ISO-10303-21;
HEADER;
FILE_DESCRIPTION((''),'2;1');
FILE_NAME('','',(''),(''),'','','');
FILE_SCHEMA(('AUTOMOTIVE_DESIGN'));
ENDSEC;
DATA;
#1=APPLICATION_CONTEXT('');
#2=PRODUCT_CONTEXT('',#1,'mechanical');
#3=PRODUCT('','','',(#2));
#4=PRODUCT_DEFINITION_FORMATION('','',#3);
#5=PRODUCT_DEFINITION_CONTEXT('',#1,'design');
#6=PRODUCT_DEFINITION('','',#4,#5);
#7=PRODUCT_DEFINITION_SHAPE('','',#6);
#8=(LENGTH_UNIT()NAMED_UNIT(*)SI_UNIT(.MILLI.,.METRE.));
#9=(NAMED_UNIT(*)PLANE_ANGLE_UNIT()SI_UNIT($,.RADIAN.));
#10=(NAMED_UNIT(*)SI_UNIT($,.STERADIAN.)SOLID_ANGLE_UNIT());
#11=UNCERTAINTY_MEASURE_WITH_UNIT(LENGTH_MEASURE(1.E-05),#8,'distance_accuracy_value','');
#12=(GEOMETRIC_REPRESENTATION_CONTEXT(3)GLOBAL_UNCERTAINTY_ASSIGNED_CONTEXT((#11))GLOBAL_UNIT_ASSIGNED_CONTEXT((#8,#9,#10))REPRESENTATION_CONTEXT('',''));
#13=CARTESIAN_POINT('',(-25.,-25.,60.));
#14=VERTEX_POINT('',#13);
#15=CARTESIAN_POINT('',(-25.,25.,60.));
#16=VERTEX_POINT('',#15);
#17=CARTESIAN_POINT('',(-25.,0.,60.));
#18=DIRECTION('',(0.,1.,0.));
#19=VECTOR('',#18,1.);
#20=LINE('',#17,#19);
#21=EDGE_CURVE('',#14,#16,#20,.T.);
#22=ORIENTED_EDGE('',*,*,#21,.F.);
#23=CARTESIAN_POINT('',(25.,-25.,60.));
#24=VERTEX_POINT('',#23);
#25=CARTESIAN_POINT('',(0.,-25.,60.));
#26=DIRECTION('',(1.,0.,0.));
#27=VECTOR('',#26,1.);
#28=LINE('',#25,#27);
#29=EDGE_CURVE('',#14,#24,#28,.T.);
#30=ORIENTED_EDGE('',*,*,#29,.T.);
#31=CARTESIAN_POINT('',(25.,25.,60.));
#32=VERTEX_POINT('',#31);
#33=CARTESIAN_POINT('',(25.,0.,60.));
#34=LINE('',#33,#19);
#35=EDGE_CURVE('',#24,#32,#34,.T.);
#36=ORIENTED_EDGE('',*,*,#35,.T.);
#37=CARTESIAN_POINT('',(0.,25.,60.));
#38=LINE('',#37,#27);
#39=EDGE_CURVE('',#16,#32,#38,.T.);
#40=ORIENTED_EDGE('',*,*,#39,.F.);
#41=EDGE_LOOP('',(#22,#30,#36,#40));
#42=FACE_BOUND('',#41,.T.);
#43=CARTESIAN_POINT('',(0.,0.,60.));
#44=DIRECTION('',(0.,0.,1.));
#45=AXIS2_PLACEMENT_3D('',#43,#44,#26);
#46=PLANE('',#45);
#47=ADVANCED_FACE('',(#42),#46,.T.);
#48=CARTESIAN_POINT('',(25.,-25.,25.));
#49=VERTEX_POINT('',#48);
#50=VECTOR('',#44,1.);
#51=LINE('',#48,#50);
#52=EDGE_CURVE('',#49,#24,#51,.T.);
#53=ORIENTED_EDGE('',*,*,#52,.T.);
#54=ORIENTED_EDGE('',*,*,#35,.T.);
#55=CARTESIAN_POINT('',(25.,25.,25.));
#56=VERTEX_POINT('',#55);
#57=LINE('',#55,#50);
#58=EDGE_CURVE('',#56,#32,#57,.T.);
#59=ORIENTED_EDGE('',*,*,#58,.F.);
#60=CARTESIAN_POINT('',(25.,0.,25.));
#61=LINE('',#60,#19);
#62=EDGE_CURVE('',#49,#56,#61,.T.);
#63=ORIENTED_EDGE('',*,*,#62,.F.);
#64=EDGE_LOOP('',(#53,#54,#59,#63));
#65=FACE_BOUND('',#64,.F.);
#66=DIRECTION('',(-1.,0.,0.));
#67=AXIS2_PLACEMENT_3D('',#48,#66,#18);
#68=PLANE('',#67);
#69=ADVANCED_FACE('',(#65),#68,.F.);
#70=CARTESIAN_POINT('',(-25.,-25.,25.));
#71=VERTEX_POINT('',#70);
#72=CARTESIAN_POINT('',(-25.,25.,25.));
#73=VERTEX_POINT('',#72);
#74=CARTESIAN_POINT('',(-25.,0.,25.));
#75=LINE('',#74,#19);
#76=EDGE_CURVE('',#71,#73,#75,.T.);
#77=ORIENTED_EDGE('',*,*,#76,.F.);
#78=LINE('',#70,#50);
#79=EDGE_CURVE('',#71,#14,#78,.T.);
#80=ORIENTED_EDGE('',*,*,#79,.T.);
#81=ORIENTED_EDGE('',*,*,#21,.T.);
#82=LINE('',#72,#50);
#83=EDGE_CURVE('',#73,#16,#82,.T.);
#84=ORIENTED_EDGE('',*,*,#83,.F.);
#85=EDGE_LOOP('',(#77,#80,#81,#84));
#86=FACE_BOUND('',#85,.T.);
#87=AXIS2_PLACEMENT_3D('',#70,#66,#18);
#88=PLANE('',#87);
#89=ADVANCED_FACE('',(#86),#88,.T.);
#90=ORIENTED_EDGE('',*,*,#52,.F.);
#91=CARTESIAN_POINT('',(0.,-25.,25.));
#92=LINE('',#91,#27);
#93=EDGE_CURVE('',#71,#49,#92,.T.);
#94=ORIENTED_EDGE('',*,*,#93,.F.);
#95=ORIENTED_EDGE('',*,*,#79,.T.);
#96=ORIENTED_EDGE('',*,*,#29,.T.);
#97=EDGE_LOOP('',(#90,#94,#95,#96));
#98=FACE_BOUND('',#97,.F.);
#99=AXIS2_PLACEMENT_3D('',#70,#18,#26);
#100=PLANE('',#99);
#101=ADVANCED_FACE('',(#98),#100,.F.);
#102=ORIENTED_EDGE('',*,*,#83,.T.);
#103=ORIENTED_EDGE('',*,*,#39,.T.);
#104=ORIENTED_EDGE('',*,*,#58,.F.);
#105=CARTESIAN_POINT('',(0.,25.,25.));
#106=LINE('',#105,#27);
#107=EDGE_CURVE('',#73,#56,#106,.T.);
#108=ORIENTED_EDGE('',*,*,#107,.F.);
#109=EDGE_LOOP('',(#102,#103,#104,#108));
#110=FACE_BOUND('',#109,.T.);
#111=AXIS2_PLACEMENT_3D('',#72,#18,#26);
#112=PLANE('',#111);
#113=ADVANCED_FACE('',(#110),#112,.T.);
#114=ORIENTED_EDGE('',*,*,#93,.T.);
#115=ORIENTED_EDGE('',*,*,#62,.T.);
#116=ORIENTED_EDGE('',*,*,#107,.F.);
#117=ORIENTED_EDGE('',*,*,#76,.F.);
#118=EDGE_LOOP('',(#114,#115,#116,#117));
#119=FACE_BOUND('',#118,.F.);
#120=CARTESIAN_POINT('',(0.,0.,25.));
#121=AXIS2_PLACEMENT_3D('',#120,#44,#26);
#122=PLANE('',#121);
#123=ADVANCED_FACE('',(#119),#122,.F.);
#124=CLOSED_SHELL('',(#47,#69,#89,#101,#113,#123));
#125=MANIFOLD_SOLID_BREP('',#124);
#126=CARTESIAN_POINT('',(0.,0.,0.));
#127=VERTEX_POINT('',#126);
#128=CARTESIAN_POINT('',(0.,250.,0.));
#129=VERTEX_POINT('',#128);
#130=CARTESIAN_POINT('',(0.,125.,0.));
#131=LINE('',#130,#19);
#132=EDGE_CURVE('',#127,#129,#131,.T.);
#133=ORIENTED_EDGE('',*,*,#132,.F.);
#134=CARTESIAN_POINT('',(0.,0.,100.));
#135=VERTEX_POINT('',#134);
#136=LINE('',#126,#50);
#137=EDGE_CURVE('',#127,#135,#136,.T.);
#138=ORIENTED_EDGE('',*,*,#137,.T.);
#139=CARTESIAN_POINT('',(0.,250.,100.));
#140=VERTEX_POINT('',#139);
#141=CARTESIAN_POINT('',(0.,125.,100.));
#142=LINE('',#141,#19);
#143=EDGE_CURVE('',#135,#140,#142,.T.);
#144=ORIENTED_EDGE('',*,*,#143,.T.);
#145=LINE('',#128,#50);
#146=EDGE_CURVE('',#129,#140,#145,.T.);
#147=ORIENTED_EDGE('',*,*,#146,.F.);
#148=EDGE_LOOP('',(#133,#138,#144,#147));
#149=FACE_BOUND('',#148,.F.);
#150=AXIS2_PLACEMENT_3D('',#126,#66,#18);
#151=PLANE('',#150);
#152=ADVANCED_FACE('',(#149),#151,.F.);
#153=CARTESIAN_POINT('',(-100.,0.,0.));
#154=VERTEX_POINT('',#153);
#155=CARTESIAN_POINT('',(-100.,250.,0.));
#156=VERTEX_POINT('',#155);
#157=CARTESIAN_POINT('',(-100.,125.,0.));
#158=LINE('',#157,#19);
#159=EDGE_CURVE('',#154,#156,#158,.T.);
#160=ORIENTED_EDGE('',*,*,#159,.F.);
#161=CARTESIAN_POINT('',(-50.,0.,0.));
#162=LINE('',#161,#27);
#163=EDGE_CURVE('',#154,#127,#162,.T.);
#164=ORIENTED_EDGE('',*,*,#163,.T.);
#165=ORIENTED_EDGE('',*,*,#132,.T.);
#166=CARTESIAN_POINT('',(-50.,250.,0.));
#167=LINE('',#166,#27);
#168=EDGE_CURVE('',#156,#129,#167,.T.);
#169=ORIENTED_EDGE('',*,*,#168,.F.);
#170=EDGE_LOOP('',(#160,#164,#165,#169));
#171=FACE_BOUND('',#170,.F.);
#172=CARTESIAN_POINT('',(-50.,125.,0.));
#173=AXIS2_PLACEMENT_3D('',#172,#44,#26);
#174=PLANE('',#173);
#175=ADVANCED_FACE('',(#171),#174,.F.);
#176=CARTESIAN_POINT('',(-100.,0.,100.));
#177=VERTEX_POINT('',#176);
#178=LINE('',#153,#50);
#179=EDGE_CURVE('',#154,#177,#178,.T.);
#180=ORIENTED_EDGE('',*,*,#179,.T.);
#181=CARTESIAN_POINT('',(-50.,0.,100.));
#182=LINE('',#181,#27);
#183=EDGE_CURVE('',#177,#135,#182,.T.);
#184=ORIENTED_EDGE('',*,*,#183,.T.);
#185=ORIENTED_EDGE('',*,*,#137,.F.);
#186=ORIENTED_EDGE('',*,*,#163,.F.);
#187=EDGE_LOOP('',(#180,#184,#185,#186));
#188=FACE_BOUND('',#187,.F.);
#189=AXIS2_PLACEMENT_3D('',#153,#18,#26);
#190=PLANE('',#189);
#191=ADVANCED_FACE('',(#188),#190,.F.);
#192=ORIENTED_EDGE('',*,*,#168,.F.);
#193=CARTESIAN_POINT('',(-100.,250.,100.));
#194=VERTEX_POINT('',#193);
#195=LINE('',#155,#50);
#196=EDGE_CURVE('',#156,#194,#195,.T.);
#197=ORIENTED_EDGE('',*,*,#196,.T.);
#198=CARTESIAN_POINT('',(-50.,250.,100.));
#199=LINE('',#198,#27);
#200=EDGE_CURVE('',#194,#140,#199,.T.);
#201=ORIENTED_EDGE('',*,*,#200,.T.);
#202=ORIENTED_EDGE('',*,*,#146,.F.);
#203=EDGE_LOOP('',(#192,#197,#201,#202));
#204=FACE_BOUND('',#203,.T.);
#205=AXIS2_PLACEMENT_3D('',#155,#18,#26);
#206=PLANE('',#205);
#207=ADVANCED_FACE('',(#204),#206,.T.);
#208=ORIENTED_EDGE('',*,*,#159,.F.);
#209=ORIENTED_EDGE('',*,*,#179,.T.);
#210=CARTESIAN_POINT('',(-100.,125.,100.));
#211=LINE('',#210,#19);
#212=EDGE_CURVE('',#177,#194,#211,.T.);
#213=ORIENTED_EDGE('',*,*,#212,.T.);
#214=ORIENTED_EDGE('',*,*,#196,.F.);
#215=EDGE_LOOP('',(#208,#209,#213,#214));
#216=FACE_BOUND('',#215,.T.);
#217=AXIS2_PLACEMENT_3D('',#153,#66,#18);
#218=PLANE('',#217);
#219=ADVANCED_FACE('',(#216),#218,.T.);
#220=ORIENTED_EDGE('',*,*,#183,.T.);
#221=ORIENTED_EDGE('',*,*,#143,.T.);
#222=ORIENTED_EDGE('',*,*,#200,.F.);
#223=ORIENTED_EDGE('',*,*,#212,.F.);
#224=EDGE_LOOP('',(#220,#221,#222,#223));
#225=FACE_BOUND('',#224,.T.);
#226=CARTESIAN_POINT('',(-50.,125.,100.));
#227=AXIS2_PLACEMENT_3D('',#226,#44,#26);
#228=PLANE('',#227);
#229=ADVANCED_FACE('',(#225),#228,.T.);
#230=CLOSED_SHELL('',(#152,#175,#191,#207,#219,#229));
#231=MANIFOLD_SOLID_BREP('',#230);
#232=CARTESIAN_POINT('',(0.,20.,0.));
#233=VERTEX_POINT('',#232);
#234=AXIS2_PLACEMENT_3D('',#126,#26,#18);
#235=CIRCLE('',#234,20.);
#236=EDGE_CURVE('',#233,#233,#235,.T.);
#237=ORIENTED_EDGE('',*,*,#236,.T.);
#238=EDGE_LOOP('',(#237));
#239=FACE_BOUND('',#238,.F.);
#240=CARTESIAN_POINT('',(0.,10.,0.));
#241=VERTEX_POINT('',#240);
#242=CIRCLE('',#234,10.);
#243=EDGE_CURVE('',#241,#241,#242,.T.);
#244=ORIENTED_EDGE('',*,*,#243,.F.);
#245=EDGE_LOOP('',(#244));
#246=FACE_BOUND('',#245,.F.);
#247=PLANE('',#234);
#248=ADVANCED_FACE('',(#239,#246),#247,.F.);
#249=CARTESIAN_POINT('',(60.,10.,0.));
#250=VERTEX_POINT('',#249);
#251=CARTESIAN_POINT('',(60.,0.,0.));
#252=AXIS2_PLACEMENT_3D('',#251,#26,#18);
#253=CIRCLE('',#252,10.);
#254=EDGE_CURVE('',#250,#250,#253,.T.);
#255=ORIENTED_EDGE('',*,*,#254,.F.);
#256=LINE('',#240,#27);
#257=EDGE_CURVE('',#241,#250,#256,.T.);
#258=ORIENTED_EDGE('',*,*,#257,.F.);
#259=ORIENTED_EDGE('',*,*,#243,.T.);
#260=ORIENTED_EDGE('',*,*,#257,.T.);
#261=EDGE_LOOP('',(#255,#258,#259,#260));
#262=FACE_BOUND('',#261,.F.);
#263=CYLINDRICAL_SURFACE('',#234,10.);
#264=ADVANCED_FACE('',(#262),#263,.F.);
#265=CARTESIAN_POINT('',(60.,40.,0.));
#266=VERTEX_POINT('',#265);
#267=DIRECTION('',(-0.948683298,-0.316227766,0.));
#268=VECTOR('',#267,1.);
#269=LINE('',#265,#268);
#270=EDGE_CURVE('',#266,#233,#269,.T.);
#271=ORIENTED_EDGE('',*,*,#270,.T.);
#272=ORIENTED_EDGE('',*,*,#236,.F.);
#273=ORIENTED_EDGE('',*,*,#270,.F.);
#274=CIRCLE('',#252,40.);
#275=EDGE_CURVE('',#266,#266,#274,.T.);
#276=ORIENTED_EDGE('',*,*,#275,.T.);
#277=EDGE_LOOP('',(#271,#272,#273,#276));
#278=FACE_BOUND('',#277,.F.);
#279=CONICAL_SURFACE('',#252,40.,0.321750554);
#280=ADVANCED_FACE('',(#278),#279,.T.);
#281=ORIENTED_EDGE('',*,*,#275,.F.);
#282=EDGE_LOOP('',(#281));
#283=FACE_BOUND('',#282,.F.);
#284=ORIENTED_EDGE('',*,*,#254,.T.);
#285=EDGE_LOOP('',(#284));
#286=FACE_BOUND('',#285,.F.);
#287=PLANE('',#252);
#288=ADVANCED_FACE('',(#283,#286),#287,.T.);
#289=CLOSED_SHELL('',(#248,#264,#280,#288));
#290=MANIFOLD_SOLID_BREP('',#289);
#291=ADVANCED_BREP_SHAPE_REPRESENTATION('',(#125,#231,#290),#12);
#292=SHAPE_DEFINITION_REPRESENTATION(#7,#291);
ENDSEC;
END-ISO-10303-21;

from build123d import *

# Parameters (mm, degrees)
F0_W     = 100
F0_H     = 250
F1_DEPTH = 100
F5_START = 25
F4_W     = 50
F4_H     = 50
F5_DEPTH = 35


with BuildPart() as f1:
    # F0 (on Top) → F1 (new body)
    with BuildSketch(Plane.XY):
        with Locations((-50, 125)):
            Rectangle(F0_W, F0_H)
    extrude(amount=F1_DEPTH)


with BuildPart() as f3:
    # F2 (on Top) → F3 (revolve)
    with BuildSketch(Plane.XY):
        Polygon((60, 40), (0, 20), (0, 10), (60, 10), align=None)
    revolve(axis=Axis((11.9034722447, 0, 0), (1, 0, 0)))


with BuildPart() as f5:
    # F4 (on Top) → F5 (new body)
    with BuildSketch(Plane.XY.offset(F5_START)):
        Rectangle(F4_W, F4_H)
    extrude(amount=F5_DEPTH)


solid = Compound([f1.part, f3.part, f5.part])
